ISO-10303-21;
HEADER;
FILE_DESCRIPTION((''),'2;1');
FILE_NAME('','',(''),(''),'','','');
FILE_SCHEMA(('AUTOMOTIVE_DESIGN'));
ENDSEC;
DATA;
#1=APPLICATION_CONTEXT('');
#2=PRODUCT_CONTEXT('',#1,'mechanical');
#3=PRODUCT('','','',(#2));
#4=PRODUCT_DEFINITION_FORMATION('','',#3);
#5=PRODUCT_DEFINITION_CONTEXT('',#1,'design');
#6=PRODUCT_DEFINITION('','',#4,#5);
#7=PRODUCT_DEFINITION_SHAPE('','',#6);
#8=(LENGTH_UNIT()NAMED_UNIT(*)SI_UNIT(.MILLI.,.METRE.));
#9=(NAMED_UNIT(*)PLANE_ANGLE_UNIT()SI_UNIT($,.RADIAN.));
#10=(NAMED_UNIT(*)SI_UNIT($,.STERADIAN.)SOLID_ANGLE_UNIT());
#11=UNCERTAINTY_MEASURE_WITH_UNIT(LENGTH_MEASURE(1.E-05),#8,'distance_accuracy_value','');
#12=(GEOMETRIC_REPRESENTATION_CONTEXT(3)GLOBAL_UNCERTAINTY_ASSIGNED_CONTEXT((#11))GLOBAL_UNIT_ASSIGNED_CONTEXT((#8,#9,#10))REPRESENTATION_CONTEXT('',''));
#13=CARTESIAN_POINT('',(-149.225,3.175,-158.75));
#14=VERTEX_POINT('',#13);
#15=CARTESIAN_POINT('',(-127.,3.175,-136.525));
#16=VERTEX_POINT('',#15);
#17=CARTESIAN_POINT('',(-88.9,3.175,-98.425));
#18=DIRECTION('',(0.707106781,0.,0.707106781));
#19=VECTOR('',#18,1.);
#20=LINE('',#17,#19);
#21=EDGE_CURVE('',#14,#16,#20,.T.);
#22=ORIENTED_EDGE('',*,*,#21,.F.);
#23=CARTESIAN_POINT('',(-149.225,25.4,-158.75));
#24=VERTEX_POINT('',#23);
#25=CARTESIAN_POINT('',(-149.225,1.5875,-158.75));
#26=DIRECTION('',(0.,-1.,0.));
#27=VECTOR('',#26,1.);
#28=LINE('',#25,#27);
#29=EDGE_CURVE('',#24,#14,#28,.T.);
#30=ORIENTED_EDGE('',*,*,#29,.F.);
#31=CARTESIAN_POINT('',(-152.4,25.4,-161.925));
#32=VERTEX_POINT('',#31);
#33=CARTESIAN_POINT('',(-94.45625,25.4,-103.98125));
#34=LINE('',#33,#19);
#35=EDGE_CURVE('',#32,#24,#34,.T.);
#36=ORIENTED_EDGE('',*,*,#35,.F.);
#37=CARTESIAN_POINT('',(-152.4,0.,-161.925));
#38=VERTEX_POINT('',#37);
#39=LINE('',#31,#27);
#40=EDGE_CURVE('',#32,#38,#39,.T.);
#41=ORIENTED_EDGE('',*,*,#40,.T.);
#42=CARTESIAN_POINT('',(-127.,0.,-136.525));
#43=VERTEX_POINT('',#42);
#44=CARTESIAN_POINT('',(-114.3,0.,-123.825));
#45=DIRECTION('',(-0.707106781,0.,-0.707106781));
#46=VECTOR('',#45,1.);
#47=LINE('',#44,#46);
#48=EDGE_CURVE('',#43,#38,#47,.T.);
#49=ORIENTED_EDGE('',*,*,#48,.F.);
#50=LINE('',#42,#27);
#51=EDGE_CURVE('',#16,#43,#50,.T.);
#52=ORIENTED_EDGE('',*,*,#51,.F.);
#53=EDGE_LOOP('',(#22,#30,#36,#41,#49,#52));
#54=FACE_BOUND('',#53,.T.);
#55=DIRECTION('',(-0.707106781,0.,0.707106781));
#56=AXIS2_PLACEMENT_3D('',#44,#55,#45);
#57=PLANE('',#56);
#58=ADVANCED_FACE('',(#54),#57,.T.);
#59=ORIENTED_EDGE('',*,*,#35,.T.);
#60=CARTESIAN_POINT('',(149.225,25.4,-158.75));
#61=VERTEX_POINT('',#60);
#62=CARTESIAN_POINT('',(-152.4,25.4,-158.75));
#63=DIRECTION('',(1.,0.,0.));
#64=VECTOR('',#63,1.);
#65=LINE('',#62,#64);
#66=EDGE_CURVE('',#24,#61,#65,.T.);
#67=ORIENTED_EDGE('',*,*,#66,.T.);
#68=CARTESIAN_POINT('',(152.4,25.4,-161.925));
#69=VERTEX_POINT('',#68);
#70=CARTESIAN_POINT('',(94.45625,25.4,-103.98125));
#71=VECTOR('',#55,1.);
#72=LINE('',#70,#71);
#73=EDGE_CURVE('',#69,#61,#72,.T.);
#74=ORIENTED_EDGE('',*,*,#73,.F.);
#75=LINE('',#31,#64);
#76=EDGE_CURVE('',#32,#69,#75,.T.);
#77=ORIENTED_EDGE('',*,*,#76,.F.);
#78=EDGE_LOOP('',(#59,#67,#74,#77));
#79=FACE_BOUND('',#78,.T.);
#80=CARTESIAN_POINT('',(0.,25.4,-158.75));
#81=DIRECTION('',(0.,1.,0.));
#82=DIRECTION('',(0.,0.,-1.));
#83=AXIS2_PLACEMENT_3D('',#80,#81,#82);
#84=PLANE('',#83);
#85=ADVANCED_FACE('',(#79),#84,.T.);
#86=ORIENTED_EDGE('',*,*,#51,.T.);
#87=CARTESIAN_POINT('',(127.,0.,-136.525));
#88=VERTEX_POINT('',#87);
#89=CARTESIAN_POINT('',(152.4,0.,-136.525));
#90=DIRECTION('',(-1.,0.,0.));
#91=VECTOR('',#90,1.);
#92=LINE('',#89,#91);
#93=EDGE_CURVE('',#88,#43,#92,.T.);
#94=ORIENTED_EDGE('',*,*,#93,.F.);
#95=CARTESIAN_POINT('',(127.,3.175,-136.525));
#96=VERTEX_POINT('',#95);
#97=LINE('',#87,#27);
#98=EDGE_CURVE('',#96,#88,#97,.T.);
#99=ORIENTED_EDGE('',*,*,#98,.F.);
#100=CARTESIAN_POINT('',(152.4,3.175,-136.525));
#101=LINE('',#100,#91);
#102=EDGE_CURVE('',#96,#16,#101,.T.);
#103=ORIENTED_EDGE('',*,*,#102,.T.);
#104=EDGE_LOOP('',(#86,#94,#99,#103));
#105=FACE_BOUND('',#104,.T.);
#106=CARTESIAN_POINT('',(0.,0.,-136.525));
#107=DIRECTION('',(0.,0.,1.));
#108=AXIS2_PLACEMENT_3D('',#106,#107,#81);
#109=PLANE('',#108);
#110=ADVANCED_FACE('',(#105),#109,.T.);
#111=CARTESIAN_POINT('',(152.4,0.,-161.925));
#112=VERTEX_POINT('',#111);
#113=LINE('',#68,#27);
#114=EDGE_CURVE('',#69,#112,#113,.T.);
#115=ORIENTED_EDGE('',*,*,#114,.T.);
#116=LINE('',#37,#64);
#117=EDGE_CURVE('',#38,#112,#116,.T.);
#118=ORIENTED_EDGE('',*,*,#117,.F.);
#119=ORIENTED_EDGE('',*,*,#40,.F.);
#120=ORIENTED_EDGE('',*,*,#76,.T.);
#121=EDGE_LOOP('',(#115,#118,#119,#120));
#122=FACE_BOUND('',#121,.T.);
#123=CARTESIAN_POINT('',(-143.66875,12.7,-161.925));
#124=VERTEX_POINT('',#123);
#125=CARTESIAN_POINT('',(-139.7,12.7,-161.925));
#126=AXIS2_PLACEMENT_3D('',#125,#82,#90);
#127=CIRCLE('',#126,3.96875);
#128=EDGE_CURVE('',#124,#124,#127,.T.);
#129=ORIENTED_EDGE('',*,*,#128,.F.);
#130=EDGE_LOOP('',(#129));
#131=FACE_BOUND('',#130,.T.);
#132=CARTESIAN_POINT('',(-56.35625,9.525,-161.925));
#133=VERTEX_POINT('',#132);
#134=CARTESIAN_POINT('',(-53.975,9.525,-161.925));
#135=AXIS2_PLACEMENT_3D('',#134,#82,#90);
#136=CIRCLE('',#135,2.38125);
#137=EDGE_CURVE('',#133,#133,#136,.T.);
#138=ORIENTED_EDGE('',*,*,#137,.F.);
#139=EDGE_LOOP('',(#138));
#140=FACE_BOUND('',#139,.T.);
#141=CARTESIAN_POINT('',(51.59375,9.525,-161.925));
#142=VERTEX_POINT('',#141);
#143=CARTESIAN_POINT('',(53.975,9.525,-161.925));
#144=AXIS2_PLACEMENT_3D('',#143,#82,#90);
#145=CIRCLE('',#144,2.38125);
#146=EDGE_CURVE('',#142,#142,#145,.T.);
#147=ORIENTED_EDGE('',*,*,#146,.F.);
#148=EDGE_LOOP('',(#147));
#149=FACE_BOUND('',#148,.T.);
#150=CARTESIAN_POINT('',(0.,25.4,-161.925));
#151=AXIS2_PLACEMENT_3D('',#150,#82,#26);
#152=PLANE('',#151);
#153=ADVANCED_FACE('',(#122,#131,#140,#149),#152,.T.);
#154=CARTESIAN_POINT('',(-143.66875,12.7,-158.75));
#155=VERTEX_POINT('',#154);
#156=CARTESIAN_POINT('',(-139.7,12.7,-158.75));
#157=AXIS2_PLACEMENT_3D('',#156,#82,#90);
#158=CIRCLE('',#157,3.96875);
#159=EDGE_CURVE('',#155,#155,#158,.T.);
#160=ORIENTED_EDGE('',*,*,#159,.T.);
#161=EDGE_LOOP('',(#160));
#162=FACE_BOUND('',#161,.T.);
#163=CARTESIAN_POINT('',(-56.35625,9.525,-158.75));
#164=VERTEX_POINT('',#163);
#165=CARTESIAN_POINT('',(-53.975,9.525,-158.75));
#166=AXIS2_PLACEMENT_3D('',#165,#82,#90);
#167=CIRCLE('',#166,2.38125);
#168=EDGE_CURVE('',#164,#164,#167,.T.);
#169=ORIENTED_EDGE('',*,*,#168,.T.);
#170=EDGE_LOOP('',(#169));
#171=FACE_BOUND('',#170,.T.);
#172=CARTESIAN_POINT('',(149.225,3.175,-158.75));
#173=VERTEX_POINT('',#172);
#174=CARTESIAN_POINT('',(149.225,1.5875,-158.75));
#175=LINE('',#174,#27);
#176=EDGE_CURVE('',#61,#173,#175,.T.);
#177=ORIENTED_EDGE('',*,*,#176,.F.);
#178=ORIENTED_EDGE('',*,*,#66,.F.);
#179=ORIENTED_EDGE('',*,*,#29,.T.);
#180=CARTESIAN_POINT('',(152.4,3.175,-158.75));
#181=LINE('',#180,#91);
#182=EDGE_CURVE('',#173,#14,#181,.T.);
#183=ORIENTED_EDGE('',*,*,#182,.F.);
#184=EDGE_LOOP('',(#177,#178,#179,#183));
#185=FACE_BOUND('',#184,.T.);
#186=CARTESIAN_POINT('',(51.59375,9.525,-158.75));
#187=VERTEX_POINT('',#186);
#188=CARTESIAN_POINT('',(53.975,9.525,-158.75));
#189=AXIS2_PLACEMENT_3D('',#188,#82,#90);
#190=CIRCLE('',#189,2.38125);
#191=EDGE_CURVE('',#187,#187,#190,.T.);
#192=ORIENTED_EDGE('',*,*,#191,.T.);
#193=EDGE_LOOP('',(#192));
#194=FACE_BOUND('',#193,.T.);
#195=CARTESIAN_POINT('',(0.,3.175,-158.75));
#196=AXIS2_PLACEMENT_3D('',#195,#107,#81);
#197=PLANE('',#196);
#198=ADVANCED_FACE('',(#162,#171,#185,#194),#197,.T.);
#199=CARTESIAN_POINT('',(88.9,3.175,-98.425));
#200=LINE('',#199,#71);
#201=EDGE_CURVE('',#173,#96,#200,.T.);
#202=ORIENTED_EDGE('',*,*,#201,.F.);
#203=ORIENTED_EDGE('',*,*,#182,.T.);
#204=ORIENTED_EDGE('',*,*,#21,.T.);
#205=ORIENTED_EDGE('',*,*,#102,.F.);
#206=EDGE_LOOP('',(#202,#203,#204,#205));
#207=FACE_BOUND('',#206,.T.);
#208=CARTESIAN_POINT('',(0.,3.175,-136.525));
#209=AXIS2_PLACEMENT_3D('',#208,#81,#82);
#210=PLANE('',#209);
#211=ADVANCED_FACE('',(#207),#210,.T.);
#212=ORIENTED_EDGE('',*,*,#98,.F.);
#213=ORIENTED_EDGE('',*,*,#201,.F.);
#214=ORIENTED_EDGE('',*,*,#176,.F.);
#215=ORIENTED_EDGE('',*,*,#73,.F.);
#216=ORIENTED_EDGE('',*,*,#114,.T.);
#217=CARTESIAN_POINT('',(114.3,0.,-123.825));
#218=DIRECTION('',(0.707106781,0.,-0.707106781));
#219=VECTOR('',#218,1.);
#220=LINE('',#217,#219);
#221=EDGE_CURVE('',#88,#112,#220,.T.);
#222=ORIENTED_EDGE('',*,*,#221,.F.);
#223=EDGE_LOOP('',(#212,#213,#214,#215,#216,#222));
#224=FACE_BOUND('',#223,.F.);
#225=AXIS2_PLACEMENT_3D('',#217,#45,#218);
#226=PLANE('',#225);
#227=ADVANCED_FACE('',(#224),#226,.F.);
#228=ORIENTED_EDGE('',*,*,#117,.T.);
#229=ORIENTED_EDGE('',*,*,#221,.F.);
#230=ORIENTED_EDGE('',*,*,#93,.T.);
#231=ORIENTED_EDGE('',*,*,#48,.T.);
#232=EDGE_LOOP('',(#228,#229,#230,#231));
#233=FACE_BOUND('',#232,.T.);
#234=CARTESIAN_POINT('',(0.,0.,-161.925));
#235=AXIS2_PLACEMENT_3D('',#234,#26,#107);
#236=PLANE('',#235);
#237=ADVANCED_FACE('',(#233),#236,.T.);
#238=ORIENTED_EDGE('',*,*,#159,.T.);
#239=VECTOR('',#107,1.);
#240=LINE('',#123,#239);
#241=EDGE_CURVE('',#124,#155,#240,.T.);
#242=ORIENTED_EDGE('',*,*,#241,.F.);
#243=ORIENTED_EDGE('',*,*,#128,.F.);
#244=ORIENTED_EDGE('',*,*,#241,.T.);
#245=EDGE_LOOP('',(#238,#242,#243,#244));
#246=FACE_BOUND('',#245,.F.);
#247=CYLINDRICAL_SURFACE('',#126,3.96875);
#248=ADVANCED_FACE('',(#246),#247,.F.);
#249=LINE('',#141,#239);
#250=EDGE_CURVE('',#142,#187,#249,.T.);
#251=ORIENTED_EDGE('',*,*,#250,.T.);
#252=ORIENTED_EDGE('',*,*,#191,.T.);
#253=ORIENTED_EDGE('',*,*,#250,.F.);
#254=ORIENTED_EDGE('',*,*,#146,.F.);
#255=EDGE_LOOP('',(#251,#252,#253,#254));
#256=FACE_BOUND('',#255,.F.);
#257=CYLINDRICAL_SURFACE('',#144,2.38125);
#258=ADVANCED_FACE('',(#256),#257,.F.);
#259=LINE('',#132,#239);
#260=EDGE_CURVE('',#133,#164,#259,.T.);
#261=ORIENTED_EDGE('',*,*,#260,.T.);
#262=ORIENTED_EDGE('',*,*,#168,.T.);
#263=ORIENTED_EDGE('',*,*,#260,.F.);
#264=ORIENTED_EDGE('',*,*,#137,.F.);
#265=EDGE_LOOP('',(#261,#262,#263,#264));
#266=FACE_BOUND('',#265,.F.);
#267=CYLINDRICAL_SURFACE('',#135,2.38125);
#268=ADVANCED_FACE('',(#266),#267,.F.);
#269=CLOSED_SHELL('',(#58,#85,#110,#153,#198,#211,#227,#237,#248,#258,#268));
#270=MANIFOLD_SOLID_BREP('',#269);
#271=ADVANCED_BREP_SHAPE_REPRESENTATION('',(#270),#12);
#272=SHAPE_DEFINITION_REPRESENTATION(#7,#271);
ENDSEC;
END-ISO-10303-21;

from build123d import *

# Parameters (mm, degrees)
PAD6963_DEPTH            = 152.4
POCKET667_DEPTH          = 25.401
SKETCH7921_R             = 2.38125
SKETCH7921_R_2           = 3.96875
POCKET671_DEPTH          = 25.401
BODY6269_PLACEMENT_ANGLE = 180


with BuildPart() as part:
    # Sketch7915 → Pad6963 (new body, symmetric)
    with BuildSketch(Plane.YZ):
        Polygon((0, 0), (0, -25.4), (3.175, -25.4), (3.175, -3.175), (25.4, -3.175), (25.4, 0), align=None)
    extrude(amount=PAD6963_DEPTH, both=True)

    # Sketch7916 → Pocket667 (cut, through all)
    with BuildSketch(Plane.XZ):
        Polygon((-114.3, -38.1), (-152.4, 0), (-152.4, -38.1), align=None)
        Polygon((114.3, -38.1), (152.4, 0), (152.4, -38.1), align=None)
    extrude(amount=-POCKET667_DEPTH, mode=Mode.SUBTRACT)

    # Sketch7921 → Pocket671 (cut, through all)
    with BuildSketch(Plane.XY):
        with Locations((-53.975, 9.525)):
            Circle(SKETCH7921_R)
        with Locations((53.975, 9.525)):
            Circle(SKETCH7921_R)
        with Locations((139.7, 12.7)):
            Circle(SKETCH7921_R_2)
    extrude(amount=-POCKET671_DEPTH, mode=Mode.SUBTRACT)


with BuildPart() as part_1:
    # Body6269 placement: moved
    add(part.part.moved(Location((0, 0, -161.925))).rotate(Axis((0, 0, -161.925), (0, 1, 0)), BODY6269_PLACEMENT_ANGLE))


solid = part_1.part
